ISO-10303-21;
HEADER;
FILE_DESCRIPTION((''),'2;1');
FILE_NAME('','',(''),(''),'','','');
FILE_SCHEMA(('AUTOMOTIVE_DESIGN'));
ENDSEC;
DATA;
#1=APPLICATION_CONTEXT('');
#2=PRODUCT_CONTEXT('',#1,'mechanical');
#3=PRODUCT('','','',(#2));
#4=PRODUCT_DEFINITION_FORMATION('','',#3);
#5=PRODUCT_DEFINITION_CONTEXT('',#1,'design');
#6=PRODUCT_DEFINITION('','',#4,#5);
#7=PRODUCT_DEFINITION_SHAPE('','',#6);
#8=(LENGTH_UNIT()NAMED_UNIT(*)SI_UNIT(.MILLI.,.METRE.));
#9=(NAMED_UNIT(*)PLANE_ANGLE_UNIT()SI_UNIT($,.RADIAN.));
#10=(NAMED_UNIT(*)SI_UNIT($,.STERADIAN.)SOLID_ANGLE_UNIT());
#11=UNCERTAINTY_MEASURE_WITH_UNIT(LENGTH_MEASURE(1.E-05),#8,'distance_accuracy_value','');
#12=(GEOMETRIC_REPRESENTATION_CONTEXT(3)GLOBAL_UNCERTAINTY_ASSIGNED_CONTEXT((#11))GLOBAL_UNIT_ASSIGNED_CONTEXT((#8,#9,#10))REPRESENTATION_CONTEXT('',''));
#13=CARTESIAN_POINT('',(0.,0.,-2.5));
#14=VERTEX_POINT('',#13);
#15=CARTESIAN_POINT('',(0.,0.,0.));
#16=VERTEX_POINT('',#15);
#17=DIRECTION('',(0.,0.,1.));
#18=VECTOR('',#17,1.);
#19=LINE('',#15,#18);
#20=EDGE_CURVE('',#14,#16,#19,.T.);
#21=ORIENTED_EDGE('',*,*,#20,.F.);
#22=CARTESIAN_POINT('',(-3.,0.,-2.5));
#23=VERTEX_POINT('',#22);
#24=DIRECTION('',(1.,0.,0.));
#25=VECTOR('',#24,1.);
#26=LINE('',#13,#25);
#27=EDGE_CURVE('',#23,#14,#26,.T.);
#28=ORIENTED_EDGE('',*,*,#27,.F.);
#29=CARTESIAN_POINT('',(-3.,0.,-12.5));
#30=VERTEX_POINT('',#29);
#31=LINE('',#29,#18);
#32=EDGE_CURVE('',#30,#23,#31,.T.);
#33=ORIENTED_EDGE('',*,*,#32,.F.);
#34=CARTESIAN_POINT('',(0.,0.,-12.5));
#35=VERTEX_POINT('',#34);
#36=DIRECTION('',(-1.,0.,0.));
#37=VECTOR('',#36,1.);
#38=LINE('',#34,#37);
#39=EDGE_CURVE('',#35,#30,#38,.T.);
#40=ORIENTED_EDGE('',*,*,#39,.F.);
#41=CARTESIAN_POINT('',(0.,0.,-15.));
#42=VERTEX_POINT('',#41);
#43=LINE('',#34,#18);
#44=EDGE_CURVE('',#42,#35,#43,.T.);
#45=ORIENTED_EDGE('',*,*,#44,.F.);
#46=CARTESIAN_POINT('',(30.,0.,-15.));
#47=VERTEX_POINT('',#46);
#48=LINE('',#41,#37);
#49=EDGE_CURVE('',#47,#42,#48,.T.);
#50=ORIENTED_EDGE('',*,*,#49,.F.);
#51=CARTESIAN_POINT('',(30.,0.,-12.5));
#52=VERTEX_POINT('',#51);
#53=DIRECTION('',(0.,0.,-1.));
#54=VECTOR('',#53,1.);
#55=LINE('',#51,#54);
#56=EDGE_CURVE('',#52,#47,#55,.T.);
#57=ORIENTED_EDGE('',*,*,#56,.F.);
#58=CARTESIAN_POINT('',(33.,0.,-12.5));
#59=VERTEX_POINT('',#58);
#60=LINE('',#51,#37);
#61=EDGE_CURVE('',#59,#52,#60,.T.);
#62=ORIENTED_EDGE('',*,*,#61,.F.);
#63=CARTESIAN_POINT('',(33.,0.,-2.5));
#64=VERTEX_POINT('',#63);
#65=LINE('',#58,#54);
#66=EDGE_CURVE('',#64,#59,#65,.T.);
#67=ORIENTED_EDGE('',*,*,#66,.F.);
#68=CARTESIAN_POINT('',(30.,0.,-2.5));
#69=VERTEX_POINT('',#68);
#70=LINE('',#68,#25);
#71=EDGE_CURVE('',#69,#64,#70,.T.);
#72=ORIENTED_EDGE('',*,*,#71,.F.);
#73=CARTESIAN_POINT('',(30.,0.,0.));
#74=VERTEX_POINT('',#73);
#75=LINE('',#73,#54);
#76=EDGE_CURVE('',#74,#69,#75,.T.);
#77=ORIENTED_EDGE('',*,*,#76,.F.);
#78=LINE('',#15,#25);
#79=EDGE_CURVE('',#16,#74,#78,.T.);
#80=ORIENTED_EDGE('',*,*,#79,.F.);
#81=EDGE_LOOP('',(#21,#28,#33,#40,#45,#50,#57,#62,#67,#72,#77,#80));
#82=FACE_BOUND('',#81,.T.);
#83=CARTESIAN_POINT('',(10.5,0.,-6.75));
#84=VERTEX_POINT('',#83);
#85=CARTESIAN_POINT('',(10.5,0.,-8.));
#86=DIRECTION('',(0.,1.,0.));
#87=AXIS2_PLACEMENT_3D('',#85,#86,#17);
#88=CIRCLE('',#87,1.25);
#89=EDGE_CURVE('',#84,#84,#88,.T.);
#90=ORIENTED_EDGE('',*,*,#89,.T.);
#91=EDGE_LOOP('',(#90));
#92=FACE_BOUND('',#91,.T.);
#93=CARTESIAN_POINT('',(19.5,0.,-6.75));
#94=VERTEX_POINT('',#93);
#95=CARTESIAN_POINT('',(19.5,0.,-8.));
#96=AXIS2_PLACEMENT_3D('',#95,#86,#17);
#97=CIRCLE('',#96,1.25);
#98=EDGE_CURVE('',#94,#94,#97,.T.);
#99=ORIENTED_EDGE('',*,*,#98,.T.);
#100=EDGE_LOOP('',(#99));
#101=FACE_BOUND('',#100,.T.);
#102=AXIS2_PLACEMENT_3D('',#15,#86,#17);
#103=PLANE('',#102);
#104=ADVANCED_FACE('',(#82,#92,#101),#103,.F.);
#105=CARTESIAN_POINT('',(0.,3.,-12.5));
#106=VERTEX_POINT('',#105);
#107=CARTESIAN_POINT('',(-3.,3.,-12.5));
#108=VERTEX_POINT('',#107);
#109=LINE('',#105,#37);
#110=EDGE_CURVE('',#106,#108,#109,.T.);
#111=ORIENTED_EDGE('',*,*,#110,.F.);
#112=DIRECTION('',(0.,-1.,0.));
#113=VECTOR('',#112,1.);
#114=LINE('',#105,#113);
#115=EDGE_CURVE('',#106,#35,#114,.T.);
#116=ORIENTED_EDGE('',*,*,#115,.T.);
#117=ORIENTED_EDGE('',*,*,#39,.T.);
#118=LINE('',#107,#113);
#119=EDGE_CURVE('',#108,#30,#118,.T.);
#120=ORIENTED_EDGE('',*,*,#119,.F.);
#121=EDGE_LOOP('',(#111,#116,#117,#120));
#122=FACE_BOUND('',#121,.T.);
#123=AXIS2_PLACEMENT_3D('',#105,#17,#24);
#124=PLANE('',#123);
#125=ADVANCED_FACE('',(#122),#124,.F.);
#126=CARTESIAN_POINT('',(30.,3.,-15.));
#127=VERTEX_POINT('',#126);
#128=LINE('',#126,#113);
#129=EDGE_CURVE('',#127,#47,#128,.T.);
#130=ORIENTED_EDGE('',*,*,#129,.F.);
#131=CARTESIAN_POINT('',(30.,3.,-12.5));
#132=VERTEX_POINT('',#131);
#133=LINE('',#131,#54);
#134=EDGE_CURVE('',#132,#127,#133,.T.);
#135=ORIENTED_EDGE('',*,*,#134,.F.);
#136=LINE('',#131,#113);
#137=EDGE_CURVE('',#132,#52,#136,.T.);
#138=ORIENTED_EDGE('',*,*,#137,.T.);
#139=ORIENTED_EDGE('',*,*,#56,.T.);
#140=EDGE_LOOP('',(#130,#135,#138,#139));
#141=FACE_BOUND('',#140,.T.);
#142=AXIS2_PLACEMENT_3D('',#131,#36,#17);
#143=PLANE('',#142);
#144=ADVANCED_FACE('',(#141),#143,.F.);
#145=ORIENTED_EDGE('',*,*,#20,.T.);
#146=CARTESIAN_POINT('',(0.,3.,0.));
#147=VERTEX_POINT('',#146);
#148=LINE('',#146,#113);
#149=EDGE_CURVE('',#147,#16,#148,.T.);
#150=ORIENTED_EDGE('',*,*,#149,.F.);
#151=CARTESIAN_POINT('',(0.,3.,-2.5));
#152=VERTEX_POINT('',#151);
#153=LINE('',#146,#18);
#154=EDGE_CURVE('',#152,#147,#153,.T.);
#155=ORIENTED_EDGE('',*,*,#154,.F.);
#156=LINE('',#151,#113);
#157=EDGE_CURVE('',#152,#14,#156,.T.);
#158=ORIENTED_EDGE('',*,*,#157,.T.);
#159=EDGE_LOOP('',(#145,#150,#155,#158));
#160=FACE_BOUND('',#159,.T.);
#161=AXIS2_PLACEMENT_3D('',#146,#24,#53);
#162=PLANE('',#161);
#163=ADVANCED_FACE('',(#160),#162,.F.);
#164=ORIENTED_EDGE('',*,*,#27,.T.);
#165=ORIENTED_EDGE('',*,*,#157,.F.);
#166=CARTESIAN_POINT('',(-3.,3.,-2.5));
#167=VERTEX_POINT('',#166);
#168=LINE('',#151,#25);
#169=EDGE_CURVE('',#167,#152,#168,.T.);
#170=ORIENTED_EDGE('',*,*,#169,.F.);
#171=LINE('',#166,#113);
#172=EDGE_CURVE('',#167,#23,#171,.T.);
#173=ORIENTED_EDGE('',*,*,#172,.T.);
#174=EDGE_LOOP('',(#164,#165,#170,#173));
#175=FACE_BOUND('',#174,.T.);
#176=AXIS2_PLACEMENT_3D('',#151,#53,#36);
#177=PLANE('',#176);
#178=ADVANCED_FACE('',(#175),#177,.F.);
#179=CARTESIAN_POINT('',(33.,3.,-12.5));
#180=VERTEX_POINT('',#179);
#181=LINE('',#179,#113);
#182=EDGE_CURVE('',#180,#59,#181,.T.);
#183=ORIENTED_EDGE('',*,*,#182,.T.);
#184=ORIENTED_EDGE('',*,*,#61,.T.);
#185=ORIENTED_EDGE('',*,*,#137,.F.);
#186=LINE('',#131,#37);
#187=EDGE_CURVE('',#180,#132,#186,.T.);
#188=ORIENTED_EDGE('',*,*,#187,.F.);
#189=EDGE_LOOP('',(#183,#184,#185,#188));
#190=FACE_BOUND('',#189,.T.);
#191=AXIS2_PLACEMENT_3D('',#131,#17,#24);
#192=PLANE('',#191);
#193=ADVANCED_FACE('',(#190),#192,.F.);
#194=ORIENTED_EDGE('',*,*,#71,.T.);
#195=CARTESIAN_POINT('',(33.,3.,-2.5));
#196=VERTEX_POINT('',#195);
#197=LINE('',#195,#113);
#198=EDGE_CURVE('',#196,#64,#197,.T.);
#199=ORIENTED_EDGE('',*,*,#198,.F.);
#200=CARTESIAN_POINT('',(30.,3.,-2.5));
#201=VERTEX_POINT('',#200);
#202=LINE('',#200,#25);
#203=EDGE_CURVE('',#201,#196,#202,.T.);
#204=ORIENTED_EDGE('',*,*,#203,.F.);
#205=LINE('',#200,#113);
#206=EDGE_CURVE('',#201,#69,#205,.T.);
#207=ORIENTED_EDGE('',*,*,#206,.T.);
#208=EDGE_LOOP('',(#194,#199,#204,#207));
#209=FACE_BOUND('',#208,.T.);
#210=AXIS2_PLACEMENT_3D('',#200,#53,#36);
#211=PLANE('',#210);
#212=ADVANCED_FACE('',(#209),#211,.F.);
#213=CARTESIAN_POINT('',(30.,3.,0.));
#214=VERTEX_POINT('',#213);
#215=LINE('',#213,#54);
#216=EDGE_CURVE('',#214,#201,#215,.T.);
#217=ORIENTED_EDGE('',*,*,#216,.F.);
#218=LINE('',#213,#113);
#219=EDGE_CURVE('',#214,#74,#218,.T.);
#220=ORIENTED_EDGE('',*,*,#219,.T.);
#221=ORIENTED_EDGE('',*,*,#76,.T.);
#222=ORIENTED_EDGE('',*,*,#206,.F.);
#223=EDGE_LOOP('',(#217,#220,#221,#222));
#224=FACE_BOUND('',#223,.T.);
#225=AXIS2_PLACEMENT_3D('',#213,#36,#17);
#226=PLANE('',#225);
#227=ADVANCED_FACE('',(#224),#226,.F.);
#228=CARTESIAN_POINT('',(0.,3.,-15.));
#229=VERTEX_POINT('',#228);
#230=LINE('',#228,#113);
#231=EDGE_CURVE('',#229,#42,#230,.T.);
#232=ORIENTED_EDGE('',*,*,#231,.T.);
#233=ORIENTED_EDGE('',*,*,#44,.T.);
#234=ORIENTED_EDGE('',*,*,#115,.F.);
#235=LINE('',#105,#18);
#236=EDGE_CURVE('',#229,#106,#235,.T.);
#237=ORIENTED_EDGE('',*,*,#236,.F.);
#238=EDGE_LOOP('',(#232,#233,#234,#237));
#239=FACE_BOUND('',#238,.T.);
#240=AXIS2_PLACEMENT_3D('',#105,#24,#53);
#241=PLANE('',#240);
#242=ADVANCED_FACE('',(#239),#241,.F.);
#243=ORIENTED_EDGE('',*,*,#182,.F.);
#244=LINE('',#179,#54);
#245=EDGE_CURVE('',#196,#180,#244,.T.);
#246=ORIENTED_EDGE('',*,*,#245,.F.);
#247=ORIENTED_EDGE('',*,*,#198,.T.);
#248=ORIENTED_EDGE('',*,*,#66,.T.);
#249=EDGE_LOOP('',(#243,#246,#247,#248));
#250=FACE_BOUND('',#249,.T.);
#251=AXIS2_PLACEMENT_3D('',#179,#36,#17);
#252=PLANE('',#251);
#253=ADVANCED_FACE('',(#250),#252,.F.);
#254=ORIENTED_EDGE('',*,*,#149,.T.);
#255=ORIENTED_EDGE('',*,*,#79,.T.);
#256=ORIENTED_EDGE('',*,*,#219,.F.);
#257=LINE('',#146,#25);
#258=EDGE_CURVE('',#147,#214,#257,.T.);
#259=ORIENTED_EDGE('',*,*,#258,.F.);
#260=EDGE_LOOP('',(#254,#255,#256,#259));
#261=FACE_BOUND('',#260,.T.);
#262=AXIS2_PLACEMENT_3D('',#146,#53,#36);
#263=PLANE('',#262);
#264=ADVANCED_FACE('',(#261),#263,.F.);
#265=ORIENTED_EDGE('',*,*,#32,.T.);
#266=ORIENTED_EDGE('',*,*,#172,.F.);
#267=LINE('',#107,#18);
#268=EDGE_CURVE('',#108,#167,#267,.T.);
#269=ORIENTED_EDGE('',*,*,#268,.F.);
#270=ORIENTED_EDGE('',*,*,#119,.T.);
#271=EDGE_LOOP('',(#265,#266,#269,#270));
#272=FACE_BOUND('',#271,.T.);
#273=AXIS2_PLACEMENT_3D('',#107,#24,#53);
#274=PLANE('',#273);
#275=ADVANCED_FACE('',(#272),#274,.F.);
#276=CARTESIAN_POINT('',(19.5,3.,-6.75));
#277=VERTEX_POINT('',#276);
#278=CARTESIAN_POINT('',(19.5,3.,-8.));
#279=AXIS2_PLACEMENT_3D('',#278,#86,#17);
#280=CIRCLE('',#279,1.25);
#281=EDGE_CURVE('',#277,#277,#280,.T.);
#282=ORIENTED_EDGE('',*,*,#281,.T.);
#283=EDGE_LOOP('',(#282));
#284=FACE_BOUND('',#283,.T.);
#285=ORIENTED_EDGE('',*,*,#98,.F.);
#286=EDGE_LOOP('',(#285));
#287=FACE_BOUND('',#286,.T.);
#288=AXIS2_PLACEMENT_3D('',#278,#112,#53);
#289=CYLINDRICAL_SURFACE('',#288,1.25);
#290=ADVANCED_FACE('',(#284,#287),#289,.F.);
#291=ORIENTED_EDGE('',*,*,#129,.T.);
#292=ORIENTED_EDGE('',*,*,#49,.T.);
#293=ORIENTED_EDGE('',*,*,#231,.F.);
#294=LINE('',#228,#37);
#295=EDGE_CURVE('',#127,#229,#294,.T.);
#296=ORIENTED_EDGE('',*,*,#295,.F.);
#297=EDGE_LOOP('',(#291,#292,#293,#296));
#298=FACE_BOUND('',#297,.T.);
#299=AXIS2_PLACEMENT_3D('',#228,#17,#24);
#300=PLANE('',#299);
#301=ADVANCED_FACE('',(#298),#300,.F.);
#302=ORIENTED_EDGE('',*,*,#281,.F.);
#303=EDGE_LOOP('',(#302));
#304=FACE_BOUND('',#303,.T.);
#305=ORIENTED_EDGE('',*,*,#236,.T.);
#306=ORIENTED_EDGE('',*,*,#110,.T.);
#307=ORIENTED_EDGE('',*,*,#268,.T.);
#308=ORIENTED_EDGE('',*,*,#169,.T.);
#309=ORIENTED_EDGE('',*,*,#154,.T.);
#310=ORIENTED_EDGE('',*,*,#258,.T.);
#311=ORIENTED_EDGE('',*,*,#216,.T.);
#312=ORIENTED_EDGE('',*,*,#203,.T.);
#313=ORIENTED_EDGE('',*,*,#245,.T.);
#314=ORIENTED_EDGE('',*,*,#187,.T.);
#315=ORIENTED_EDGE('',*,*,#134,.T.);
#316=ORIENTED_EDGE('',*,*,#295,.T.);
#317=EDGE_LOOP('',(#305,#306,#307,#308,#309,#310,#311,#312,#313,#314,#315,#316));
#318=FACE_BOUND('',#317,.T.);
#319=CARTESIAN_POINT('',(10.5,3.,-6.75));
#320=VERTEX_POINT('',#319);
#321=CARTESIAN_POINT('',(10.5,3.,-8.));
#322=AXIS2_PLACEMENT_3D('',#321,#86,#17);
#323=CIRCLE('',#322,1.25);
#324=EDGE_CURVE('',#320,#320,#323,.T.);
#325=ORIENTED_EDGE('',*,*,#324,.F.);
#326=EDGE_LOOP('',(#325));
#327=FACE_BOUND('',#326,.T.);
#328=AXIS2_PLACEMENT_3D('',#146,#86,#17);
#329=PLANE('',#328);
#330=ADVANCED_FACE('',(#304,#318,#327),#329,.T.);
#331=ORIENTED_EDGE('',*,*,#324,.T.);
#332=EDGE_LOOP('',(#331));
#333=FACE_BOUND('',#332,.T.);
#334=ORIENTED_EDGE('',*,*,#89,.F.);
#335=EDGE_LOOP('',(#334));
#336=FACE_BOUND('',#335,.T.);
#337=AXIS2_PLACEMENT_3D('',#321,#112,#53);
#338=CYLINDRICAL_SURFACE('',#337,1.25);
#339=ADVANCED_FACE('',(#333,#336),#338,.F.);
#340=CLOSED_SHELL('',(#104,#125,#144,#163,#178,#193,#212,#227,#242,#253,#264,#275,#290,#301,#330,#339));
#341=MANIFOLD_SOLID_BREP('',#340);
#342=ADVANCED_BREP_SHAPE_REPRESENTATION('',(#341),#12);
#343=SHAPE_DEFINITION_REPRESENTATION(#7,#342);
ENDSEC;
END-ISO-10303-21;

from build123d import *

# Parameters (mm, degrees)
SKETCH1_R           = 1.25
BOSS_EXTRUDE1_DEPTH = 3


with BuildPart() as part:
    # Sketch1 → Boss-Extrude1 (new body)
    with BuildSketch(Plane(origin=(0, 0, 0), x_dir=(1, 0, 0), z_dir=(0, 1, 0))):
        Polygon((0, 12.5), (0, 15), (30, 15), (30, 12.5), (33, 12.5), (33, 2.5), (30, 2.5), (30, 0), (0, 0), (0, 2.5), (-3, 2.5), (-3, 12.5), align=None)
        with Locations(Location((10.5, 8, 0), (0, 0, 270))):
            Circle(SKETCH1_R, mode=Mode.SUBTRACT)
        with Locations(Location((19.5, 8, 0), (0, 0, 270))):
            Circle(SKETCH1_R, mode=Mode.SUBTRACT)
    extrude(amount=BOSS_EXTRUDE1_DEPTH)


solid = part.part
